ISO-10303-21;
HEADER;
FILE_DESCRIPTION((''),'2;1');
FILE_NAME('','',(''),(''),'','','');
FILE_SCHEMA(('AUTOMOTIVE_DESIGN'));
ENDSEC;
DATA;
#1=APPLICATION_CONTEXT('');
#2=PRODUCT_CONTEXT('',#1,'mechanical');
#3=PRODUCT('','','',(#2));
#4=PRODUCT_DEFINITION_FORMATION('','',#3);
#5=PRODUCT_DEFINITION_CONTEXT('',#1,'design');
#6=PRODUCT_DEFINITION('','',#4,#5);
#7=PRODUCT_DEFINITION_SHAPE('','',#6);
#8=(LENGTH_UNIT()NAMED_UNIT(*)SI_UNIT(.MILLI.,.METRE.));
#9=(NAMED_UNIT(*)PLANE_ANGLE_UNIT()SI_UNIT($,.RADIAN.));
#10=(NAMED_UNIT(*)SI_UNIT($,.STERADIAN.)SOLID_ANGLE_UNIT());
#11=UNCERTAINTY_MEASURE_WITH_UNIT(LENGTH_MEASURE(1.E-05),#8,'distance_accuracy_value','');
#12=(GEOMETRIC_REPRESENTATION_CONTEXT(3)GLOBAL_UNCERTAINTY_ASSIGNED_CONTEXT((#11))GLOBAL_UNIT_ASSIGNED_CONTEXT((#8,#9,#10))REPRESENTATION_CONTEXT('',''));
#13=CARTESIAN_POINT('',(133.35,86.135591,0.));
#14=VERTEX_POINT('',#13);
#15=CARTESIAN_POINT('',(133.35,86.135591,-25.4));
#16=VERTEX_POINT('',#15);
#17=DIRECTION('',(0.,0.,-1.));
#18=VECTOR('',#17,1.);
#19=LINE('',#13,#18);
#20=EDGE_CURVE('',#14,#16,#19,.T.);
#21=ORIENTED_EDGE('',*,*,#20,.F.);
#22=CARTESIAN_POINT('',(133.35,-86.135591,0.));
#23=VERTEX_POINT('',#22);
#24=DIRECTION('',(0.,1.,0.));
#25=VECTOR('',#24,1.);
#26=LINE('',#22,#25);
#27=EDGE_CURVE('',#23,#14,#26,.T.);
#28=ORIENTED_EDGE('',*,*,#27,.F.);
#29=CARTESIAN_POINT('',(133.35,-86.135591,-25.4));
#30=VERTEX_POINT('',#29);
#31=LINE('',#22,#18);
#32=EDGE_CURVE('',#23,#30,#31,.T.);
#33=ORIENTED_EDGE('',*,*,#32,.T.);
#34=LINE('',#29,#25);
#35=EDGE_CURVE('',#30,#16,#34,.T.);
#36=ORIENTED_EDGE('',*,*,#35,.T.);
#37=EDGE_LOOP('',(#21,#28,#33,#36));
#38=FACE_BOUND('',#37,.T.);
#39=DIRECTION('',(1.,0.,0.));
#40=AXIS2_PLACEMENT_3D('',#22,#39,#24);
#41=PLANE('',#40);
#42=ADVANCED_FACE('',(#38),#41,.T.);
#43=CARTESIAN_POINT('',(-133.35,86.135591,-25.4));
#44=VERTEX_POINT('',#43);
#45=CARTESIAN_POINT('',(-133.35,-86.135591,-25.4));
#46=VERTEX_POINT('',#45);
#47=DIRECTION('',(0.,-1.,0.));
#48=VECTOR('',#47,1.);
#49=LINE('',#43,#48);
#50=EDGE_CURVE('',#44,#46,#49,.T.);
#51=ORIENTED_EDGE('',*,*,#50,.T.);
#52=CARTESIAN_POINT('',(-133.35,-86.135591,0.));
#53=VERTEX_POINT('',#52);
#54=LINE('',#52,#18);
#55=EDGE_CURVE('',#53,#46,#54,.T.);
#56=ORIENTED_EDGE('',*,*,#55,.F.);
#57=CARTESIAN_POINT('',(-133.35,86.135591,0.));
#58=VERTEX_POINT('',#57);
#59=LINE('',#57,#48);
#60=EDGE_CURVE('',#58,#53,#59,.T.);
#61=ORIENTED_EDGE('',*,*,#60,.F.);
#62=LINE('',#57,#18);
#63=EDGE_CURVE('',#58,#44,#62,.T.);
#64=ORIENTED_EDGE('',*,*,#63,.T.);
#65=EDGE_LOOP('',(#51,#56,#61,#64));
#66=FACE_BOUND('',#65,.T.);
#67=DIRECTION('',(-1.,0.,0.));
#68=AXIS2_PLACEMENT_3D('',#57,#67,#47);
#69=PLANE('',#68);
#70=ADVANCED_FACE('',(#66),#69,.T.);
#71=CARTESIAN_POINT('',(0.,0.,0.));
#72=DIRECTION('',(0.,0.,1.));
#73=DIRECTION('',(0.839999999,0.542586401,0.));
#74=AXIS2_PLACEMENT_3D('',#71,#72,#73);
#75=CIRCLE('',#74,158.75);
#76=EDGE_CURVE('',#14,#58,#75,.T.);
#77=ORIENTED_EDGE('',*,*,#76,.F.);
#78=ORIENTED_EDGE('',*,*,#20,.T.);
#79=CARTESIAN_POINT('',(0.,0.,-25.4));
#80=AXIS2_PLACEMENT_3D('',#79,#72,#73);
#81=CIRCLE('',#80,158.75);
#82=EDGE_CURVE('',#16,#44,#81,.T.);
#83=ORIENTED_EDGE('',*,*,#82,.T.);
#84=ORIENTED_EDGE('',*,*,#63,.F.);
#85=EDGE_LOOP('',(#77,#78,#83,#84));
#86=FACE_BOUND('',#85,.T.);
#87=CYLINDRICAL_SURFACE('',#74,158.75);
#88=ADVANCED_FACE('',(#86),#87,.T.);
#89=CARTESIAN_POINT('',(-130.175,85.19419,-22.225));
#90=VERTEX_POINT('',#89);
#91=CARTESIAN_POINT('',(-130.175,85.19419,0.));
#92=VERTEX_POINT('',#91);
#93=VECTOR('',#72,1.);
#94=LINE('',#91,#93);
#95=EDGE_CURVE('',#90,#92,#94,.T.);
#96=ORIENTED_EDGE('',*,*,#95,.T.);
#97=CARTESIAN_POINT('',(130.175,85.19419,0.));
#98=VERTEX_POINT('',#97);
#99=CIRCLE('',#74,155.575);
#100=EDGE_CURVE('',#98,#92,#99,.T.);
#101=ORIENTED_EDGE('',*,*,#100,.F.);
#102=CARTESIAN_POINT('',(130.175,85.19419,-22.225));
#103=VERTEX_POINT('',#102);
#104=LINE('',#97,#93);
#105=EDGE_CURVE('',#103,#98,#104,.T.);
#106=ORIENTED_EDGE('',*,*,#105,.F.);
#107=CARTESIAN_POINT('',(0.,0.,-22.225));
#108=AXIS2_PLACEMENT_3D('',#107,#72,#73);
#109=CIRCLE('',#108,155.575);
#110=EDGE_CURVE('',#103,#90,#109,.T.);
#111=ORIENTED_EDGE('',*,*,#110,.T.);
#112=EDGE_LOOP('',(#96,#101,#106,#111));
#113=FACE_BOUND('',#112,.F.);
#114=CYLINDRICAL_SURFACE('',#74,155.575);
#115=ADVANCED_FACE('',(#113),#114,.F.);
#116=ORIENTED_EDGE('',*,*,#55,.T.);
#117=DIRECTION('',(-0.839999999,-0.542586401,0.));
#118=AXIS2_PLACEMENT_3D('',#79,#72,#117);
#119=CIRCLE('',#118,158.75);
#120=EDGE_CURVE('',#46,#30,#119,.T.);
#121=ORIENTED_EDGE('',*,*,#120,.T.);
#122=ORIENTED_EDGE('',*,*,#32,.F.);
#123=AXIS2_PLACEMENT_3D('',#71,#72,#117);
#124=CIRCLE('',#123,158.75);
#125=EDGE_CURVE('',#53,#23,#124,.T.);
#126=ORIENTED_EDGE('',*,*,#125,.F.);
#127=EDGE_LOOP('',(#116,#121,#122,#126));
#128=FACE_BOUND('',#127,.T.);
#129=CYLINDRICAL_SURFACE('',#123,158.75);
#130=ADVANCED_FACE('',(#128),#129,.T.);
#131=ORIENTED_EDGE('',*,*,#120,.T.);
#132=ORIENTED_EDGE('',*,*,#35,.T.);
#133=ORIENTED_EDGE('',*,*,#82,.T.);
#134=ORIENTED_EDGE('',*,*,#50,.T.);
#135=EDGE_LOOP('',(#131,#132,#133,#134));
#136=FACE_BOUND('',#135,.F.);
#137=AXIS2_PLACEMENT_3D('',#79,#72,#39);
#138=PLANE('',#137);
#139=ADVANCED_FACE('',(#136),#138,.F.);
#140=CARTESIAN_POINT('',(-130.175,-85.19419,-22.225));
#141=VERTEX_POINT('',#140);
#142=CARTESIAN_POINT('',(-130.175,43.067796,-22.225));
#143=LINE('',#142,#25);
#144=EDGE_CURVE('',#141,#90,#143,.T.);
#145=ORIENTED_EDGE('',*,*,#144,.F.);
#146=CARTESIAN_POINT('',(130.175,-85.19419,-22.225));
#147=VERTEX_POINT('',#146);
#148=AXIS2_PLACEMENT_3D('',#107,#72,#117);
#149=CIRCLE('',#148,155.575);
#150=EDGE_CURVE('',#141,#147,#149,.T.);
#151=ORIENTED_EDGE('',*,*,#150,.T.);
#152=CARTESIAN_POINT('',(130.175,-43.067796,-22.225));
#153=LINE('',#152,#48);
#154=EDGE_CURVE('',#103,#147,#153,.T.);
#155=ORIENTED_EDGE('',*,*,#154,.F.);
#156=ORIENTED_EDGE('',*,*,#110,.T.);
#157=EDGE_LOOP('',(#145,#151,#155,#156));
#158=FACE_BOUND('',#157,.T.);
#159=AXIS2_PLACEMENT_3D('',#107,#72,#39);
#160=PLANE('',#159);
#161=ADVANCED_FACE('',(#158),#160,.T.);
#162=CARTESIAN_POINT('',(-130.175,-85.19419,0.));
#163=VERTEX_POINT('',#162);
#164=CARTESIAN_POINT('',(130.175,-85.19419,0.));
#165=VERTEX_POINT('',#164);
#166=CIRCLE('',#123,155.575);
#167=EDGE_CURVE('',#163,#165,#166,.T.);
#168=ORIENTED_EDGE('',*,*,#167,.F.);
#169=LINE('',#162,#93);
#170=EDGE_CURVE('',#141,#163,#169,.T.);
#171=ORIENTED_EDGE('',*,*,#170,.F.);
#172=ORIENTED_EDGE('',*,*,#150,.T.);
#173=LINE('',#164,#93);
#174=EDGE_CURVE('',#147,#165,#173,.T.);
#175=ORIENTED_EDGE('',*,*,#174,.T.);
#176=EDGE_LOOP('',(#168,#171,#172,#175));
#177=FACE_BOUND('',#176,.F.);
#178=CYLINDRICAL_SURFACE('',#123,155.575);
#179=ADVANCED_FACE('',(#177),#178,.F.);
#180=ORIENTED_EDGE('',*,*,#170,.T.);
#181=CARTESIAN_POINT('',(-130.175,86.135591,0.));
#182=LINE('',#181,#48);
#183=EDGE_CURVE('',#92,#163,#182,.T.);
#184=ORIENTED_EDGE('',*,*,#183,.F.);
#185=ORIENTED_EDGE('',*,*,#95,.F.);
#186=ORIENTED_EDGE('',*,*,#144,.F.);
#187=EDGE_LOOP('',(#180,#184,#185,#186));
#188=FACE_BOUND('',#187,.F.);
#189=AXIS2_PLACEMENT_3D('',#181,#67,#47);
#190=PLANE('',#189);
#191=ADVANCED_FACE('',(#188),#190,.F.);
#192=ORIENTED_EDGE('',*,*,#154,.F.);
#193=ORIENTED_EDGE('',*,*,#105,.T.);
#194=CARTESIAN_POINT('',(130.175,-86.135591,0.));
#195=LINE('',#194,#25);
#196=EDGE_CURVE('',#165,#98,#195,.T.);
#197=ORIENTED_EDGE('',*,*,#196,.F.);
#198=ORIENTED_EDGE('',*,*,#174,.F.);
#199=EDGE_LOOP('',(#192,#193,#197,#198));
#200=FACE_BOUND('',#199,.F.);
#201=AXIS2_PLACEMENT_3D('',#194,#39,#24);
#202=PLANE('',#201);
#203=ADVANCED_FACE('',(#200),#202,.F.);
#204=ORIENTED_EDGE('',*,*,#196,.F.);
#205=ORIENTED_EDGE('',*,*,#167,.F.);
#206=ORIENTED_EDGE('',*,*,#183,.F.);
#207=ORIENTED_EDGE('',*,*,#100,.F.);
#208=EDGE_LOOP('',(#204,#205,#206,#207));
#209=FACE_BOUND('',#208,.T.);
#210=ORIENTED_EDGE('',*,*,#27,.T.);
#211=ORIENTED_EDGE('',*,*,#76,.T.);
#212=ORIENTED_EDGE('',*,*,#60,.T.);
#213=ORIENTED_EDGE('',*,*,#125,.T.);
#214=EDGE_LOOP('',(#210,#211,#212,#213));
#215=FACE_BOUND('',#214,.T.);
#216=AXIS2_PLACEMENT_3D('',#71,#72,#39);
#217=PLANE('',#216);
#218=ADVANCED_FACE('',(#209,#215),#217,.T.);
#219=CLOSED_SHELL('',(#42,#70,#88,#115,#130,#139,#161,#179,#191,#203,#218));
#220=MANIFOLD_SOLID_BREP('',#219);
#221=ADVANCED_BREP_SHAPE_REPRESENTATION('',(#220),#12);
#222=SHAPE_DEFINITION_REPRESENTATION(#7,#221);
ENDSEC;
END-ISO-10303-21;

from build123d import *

# Parameters (mm, degrees)
F1_DEPTH = 25.4
F2_T     = -3.175


with BuildPart() as f1:
    # F0 (on Top) → F1 (new body)
    with BuildSketch(Plane.XY):
        with BuildLine():
            Line((-133.35, 86.135591), (-133.35, -86.135591))
            ThreePointArc((-133.35, -86.135591), (0, -158.75), (133.35, -86.135591))
            Line((133.35, -86.135591), (133.35, 86.135591))
            ThreePointArc((133.35, 86.135591), (0, 158.75), (-133.35, 86.135591))
        make_face()
    extrude(amount=-F1_DEPTH)

    # F2
    f2_openings = [f1.faces().sort_by_distance(p)[0] for p in [
        (0, 0, 0),
    ]]
    offset(amount=F2_T, openings=f2_openings)


solid = f1.part
